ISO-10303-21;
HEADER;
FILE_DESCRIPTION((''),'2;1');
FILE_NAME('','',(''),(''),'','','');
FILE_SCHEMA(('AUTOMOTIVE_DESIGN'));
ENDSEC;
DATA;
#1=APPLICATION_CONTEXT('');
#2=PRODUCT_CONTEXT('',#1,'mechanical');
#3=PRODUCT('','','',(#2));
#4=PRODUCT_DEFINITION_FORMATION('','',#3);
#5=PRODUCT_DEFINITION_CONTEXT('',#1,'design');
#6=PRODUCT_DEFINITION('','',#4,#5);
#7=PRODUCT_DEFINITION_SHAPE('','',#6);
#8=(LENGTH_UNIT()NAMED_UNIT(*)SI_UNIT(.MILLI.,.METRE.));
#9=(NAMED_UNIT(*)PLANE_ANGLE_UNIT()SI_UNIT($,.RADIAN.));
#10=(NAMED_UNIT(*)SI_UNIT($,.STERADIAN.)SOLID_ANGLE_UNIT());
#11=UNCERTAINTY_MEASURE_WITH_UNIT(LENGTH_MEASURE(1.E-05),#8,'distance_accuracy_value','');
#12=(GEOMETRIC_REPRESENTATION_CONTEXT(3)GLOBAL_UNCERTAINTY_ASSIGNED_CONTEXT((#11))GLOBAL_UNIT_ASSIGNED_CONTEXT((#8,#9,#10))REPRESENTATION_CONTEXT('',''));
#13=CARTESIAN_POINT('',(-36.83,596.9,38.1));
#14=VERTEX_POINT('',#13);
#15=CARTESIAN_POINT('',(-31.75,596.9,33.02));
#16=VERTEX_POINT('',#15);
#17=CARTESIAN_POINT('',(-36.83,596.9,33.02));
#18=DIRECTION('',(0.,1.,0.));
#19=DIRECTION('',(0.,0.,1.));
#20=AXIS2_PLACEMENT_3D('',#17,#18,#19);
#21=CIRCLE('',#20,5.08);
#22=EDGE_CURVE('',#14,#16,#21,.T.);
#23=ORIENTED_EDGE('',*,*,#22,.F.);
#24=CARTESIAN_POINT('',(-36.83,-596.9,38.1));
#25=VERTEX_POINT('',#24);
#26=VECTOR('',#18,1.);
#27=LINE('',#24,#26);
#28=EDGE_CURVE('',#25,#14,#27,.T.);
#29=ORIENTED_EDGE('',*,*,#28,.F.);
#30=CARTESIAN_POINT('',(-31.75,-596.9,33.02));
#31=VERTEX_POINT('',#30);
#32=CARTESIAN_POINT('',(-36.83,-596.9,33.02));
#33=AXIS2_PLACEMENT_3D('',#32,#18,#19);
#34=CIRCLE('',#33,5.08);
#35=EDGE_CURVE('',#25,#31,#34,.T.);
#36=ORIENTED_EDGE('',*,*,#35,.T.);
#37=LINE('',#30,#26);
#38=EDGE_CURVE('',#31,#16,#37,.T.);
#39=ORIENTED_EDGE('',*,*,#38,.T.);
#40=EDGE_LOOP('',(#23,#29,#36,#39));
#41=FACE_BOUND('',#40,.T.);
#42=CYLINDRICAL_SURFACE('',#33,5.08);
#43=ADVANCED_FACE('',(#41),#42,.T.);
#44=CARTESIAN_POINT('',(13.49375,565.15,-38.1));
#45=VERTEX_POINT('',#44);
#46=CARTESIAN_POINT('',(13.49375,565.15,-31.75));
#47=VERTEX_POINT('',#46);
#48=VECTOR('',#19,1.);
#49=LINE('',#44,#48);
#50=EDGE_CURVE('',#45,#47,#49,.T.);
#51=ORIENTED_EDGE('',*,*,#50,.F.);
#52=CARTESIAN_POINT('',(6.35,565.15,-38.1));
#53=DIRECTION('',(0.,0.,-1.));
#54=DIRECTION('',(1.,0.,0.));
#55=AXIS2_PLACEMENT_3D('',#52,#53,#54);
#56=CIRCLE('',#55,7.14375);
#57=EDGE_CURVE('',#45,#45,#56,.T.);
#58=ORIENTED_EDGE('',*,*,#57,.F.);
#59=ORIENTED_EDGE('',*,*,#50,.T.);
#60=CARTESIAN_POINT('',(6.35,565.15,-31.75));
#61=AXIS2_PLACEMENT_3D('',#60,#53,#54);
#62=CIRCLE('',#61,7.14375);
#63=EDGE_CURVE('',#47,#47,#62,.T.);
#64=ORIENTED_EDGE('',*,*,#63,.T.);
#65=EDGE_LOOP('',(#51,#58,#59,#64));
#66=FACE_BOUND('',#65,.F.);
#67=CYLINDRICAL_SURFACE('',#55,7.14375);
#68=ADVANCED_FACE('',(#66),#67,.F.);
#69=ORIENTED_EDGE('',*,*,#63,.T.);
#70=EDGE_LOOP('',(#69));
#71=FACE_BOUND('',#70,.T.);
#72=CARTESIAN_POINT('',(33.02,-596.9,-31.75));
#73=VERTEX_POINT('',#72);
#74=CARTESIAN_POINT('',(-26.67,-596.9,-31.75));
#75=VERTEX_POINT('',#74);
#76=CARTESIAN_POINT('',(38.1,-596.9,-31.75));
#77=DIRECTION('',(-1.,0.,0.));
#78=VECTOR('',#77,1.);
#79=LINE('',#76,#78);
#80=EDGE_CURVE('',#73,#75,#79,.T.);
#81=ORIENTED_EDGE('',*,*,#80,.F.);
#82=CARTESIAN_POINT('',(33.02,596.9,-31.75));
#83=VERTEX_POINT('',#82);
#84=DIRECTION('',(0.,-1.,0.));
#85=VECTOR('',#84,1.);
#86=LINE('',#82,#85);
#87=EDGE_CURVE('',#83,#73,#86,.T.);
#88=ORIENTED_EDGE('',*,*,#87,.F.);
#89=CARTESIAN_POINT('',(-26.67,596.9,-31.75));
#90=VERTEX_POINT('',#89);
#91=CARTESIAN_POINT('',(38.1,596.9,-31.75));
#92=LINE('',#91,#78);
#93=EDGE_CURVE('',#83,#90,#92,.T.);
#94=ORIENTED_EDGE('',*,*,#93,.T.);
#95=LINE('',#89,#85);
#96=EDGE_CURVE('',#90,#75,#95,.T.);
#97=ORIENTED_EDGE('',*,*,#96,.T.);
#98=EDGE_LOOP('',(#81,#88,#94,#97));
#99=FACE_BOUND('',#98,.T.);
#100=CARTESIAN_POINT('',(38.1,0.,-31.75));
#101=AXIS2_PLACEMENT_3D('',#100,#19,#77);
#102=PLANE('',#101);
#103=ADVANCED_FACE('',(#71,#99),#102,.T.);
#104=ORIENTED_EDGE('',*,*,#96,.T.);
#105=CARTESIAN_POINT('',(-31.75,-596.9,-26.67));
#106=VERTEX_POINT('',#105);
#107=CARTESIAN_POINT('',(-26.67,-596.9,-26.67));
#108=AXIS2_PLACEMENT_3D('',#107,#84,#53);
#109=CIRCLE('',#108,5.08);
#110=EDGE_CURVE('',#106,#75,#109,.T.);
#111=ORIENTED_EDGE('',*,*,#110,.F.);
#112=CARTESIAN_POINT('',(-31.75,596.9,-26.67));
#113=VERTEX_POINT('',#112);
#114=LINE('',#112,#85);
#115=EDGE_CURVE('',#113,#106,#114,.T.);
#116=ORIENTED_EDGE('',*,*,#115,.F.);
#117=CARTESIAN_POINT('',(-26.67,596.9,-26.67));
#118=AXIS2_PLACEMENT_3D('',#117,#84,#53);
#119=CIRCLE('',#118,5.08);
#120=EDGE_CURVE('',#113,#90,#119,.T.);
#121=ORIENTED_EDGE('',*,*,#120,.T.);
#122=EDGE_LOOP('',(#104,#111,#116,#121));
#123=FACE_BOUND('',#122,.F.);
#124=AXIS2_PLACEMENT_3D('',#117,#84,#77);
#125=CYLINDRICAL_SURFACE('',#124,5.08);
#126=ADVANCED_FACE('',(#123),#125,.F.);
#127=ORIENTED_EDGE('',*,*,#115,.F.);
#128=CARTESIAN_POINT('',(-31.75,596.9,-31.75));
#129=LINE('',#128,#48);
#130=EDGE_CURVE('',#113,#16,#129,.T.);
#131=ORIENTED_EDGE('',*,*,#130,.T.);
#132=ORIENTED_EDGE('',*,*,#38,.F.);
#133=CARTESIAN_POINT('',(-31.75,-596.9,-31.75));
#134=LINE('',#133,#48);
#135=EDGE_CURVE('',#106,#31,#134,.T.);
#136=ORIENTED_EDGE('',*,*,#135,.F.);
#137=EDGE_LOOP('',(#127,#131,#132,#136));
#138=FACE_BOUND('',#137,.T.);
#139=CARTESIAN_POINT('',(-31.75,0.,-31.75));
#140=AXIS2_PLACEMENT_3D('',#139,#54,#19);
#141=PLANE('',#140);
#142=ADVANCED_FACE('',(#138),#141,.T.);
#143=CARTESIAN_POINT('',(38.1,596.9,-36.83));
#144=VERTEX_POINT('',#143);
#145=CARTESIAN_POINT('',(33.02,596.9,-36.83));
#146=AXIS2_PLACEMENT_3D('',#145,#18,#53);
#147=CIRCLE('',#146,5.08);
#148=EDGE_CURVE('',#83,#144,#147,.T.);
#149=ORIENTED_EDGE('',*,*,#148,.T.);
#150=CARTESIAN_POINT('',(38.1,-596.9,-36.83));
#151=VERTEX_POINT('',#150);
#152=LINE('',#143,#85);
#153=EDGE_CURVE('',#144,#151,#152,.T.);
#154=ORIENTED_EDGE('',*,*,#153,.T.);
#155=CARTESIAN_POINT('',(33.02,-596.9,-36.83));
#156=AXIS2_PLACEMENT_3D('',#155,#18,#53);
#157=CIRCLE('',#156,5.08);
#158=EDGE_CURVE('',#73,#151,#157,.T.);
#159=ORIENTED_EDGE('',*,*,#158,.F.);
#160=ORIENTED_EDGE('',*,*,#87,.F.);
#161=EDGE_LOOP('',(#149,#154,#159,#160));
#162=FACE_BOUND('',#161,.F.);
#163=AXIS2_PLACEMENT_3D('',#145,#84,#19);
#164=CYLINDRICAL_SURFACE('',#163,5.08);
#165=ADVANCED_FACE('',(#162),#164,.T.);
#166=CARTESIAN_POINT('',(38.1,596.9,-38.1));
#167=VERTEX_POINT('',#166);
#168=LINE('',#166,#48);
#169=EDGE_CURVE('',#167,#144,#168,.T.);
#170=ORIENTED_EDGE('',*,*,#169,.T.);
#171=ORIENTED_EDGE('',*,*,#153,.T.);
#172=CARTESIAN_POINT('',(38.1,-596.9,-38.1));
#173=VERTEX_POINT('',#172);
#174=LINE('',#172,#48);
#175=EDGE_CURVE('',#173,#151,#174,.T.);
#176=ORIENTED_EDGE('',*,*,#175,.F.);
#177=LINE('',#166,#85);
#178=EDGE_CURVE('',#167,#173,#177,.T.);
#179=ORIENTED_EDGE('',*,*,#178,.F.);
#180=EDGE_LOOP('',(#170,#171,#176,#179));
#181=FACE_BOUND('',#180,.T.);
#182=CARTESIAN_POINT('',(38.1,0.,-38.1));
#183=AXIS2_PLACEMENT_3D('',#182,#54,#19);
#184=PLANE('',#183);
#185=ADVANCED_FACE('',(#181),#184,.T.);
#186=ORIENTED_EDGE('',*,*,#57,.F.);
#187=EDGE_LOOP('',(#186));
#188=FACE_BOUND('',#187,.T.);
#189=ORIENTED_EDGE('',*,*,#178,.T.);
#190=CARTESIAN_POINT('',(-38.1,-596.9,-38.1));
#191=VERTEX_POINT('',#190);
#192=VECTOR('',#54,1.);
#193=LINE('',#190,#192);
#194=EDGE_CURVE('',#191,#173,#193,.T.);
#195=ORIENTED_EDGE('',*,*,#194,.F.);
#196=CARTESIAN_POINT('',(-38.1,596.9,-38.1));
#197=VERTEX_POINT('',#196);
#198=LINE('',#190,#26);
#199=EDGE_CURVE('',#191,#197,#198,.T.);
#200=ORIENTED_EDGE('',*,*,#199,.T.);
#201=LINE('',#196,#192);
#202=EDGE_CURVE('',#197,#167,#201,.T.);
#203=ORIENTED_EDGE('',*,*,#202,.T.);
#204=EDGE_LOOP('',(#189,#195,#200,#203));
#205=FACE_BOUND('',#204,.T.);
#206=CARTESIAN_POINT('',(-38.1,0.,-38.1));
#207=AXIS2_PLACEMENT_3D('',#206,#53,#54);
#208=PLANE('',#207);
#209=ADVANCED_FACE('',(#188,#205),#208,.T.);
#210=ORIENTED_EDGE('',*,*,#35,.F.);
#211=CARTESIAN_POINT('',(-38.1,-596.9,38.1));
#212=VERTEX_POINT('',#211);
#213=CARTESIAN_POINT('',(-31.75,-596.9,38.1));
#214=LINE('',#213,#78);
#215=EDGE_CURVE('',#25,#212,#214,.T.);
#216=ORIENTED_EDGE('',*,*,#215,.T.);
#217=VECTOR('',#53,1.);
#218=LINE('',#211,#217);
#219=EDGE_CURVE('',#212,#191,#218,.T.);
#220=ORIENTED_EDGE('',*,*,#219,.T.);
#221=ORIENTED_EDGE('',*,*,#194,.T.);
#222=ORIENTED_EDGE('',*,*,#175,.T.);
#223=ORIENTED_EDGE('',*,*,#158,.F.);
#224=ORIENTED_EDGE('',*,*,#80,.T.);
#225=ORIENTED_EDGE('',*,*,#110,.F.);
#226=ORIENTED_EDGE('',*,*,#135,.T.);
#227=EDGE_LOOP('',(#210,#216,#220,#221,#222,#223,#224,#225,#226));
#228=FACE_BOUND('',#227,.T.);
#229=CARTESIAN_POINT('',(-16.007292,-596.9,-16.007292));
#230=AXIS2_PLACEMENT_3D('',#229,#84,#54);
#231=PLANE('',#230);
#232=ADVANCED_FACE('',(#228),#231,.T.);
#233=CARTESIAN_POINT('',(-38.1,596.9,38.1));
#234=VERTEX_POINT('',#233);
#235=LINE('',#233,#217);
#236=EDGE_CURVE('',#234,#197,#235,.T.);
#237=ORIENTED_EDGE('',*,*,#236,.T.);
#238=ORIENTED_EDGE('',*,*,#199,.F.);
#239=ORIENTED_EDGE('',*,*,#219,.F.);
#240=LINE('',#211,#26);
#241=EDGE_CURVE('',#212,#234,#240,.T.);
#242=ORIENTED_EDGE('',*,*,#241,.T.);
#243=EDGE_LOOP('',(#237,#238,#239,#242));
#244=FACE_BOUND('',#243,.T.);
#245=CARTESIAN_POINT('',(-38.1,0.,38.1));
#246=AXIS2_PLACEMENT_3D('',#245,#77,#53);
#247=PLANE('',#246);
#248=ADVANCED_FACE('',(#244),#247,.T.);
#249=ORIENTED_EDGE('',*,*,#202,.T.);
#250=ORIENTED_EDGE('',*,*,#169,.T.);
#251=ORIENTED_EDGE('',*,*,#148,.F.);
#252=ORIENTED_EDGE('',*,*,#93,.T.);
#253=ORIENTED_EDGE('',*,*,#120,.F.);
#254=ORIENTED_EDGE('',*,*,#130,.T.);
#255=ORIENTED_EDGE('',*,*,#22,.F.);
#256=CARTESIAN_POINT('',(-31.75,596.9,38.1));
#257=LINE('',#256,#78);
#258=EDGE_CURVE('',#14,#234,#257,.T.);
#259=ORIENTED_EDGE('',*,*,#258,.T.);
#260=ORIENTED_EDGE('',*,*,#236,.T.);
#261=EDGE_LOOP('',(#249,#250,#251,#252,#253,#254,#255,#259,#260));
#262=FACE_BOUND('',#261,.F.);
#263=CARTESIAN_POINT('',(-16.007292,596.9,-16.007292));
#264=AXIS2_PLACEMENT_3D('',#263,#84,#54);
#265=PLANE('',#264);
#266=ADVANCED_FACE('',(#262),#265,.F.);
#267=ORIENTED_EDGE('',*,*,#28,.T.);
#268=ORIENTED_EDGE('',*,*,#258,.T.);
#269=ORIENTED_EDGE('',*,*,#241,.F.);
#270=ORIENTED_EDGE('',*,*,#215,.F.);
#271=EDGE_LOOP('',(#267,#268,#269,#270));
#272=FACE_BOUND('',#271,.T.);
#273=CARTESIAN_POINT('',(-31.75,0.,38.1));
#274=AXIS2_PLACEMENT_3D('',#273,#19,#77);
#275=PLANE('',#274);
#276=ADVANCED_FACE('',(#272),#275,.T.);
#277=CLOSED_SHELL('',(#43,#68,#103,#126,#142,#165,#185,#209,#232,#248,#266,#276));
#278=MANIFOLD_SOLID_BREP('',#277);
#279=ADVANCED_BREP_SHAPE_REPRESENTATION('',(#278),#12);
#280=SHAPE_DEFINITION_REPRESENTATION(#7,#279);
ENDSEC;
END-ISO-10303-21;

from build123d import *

# Parameters (mm, degrees)
F1_DEPTH = 596.9
F2_R     = 5.08
F3_R     = 7.14375
F4_DEPTH = 25.4


with BuildPart() as f1:
    # F0 (on Front) → F1 (new body, symmetric)
    with BuildSketch(Plane.XZ):
        Polygon((-38.1, -38.1), (38.1, -38.1), (38.1, -31.75), (-31.75, -31.75), (-31.75, 38.1), (-38.1, 38.1), align=None)
    extrude(amount=F1_DEPTH, both=True)

    # F2
    f2_edges = [f1.edges().sort_by_distance(p)[0] for p in [
        (-31.75, 0, 38.1),
        (-31.75, 0, -31.75),
        (38.1, 0, -31.75),
    ]]
    fillet(f2_edges, radius=F2_R)

    # F3 (on face) → F4 (cut)
    with BuildSketch(Plane(origin=(0, 0, -38.1), x_dir=(1, 0, 0), z_dir=(0, 0, -1))):
        with Locations((6.35, -565.15)):
            Circle(F3_R)
    extrude(amount=-F4_DEPTH, mode=Mode.SUBTRACT)


solid = f1.part
